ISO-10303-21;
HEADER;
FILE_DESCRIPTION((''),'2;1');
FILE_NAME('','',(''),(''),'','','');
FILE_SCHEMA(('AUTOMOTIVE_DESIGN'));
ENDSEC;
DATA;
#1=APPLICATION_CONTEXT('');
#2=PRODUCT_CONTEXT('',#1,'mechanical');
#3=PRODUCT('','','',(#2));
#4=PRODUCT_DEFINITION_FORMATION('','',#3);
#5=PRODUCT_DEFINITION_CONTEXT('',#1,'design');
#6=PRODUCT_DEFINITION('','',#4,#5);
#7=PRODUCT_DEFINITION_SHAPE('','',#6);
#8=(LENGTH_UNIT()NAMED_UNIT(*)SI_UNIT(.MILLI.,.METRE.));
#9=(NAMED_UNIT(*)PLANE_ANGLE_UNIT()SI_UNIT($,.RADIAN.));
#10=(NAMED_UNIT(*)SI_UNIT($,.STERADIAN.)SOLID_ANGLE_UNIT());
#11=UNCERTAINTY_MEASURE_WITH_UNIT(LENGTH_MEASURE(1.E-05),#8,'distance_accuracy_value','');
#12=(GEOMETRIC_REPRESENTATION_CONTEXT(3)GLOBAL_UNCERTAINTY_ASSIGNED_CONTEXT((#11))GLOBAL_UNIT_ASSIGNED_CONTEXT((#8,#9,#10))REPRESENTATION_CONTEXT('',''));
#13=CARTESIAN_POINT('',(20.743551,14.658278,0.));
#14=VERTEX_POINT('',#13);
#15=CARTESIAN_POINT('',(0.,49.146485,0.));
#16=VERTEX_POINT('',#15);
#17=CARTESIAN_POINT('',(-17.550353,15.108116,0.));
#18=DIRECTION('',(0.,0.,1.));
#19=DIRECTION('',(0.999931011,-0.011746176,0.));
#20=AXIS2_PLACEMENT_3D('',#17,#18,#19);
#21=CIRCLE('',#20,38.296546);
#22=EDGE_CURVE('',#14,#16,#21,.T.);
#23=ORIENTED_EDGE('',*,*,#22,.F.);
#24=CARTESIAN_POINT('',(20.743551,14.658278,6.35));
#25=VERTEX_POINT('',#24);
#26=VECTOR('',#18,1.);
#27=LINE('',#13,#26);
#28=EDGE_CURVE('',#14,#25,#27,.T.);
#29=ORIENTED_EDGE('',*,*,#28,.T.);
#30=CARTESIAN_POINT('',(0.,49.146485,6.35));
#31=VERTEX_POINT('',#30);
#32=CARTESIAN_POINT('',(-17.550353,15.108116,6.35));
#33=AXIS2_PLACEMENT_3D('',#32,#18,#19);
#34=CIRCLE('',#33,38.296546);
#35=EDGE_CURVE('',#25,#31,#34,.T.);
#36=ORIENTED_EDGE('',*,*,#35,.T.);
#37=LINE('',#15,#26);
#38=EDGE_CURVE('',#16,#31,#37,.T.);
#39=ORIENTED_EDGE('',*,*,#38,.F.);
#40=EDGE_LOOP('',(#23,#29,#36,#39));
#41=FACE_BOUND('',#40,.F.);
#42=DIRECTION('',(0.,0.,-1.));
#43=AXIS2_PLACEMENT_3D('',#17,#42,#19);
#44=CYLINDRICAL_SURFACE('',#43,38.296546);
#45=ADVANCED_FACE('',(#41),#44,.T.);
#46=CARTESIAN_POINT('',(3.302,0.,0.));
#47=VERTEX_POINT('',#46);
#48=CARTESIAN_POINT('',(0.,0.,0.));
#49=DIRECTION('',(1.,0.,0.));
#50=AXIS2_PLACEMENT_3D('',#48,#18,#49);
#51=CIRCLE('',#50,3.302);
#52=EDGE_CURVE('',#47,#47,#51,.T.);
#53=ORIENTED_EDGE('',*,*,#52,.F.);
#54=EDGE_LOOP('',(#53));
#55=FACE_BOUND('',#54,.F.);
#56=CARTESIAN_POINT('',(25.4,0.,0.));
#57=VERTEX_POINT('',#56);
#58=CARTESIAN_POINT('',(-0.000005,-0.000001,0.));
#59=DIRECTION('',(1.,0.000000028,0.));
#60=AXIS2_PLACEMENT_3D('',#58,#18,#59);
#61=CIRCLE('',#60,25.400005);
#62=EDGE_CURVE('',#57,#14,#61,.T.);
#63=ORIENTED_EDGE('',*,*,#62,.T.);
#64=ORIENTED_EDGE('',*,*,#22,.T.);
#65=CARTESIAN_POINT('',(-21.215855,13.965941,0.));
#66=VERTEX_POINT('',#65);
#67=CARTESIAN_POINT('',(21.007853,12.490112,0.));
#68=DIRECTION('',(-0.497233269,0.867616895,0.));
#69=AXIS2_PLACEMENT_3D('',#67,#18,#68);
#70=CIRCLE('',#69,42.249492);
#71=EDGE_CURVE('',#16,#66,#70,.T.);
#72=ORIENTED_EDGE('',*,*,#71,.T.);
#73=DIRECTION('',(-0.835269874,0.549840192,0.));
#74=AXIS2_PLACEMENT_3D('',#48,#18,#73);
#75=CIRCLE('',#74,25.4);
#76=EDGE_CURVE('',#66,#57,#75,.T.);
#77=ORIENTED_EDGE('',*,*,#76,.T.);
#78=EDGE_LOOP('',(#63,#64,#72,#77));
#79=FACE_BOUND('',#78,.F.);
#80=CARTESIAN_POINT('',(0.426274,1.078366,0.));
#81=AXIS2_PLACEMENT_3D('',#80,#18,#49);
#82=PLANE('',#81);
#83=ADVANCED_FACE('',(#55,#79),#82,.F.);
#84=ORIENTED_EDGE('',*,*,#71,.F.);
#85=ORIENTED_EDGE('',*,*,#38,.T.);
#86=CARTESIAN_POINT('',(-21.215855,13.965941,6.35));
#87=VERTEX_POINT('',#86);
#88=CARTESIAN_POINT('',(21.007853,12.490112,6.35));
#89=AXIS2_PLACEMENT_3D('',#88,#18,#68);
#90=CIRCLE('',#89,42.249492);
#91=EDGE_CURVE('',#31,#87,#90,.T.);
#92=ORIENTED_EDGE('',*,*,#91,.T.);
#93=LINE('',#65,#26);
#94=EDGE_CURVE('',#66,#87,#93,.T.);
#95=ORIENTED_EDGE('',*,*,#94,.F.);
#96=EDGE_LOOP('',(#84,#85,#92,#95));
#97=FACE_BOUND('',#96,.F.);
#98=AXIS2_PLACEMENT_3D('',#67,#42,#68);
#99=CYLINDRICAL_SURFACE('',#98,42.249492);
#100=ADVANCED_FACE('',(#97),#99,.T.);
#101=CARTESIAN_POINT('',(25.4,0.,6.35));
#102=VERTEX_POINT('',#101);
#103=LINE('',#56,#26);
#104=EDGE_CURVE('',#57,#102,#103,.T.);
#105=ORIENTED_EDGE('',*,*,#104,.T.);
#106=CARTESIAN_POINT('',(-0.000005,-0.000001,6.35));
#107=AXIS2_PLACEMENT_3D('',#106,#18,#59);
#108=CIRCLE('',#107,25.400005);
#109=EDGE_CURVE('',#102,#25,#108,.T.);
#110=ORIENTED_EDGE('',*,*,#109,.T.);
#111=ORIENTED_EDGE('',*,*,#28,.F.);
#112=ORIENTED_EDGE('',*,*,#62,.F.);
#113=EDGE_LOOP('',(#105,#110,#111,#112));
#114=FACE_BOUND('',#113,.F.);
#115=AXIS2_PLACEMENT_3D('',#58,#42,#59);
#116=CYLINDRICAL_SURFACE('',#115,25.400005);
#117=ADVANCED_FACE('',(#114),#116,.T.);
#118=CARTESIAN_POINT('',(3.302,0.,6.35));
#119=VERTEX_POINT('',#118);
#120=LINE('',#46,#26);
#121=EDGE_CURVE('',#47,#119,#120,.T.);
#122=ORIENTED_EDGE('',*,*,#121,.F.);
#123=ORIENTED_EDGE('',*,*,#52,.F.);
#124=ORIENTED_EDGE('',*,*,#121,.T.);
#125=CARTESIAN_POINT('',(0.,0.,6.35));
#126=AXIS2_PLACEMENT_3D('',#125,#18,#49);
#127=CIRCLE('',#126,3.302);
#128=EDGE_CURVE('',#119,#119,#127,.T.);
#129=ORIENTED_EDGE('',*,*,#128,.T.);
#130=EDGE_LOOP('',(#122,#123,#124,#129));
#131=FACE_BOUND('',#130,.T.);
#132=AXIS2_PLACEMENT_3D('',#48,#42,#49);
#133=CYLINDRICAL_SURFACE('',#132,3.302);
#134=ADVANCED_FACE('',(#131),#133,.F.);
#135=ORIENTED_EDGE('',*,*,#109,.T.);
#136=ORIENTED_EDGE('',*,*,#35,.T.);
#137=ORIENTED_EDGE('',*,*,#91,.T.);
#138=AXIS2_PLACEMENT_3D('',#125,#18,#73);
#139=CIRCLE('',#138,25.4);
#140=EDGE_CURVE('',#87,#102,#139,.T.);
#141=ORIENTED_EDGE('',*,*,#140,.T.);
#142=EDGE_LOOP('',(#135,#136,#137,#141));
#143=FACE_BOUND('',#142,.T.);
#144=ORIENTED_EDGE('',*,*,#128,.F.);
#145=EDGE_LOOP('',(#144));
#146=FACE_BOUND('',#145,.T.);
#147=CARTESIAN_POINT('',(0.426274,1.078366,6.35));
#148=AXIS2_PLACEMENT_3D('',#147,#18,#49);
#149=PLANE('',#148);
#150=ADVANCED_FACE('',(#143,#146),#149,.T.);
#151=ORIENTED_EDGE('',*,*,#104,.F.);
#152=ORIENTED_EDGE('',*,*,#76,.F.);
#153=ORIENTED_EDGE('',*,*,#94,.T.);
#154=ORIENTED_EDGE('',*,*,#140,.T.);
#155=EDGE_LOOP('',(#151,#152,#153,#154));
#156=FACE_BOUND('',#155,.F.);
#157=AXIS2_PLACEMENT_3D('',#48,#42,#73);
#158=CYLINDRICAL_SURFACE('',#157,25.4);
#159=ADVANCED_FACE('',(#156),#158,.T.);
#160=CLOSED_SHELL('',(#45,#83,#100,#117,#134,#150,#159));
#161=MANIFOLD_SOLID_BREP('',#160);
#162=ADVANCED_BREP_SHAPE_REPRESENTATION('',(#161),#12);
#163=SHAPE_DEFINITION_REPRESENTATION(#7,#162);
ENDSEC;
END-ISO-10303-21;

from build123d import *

# Parameters (mm, degrees)
F0_R     = 3.302
F1_DEPTH = 6.35


with BuildPart() as f1:
    # F0 (on Top) → F1 (new body)
    with BuildSketch(Plane.XY):
        with BuildLine():
            ThreePointArc((-21.215855, 13.965941), (-7.289626, -24.331489), (25.4, 0))
            ThreePointArc((25.4, 0), (24.207914, 7.690052), (20.743551, 14.658278))
            ThreePointArc((20.743551, 14.658278), (-0.419047, 25.396543), (-21.215855, 13.965941))
        make_face()
        Circle(F0_R, mode=Mode.SUBTRACT)
        with BuildLine():
            ThreePointArc((-21.215855, 13.965941), (-0.419047, 25.396543), (20.743551, 14.658278))
            ThreePointArc((20.743551, 14.658278), (15.267392, 34.846937), (0, 49.146485))
            ThreePointArc((0, 49.146485), (-15.17191, 34.308552), (-21.215855, 13.965941))
        make_face()
    extrude(amount=F1_DEPTH)


solid = f1.part
